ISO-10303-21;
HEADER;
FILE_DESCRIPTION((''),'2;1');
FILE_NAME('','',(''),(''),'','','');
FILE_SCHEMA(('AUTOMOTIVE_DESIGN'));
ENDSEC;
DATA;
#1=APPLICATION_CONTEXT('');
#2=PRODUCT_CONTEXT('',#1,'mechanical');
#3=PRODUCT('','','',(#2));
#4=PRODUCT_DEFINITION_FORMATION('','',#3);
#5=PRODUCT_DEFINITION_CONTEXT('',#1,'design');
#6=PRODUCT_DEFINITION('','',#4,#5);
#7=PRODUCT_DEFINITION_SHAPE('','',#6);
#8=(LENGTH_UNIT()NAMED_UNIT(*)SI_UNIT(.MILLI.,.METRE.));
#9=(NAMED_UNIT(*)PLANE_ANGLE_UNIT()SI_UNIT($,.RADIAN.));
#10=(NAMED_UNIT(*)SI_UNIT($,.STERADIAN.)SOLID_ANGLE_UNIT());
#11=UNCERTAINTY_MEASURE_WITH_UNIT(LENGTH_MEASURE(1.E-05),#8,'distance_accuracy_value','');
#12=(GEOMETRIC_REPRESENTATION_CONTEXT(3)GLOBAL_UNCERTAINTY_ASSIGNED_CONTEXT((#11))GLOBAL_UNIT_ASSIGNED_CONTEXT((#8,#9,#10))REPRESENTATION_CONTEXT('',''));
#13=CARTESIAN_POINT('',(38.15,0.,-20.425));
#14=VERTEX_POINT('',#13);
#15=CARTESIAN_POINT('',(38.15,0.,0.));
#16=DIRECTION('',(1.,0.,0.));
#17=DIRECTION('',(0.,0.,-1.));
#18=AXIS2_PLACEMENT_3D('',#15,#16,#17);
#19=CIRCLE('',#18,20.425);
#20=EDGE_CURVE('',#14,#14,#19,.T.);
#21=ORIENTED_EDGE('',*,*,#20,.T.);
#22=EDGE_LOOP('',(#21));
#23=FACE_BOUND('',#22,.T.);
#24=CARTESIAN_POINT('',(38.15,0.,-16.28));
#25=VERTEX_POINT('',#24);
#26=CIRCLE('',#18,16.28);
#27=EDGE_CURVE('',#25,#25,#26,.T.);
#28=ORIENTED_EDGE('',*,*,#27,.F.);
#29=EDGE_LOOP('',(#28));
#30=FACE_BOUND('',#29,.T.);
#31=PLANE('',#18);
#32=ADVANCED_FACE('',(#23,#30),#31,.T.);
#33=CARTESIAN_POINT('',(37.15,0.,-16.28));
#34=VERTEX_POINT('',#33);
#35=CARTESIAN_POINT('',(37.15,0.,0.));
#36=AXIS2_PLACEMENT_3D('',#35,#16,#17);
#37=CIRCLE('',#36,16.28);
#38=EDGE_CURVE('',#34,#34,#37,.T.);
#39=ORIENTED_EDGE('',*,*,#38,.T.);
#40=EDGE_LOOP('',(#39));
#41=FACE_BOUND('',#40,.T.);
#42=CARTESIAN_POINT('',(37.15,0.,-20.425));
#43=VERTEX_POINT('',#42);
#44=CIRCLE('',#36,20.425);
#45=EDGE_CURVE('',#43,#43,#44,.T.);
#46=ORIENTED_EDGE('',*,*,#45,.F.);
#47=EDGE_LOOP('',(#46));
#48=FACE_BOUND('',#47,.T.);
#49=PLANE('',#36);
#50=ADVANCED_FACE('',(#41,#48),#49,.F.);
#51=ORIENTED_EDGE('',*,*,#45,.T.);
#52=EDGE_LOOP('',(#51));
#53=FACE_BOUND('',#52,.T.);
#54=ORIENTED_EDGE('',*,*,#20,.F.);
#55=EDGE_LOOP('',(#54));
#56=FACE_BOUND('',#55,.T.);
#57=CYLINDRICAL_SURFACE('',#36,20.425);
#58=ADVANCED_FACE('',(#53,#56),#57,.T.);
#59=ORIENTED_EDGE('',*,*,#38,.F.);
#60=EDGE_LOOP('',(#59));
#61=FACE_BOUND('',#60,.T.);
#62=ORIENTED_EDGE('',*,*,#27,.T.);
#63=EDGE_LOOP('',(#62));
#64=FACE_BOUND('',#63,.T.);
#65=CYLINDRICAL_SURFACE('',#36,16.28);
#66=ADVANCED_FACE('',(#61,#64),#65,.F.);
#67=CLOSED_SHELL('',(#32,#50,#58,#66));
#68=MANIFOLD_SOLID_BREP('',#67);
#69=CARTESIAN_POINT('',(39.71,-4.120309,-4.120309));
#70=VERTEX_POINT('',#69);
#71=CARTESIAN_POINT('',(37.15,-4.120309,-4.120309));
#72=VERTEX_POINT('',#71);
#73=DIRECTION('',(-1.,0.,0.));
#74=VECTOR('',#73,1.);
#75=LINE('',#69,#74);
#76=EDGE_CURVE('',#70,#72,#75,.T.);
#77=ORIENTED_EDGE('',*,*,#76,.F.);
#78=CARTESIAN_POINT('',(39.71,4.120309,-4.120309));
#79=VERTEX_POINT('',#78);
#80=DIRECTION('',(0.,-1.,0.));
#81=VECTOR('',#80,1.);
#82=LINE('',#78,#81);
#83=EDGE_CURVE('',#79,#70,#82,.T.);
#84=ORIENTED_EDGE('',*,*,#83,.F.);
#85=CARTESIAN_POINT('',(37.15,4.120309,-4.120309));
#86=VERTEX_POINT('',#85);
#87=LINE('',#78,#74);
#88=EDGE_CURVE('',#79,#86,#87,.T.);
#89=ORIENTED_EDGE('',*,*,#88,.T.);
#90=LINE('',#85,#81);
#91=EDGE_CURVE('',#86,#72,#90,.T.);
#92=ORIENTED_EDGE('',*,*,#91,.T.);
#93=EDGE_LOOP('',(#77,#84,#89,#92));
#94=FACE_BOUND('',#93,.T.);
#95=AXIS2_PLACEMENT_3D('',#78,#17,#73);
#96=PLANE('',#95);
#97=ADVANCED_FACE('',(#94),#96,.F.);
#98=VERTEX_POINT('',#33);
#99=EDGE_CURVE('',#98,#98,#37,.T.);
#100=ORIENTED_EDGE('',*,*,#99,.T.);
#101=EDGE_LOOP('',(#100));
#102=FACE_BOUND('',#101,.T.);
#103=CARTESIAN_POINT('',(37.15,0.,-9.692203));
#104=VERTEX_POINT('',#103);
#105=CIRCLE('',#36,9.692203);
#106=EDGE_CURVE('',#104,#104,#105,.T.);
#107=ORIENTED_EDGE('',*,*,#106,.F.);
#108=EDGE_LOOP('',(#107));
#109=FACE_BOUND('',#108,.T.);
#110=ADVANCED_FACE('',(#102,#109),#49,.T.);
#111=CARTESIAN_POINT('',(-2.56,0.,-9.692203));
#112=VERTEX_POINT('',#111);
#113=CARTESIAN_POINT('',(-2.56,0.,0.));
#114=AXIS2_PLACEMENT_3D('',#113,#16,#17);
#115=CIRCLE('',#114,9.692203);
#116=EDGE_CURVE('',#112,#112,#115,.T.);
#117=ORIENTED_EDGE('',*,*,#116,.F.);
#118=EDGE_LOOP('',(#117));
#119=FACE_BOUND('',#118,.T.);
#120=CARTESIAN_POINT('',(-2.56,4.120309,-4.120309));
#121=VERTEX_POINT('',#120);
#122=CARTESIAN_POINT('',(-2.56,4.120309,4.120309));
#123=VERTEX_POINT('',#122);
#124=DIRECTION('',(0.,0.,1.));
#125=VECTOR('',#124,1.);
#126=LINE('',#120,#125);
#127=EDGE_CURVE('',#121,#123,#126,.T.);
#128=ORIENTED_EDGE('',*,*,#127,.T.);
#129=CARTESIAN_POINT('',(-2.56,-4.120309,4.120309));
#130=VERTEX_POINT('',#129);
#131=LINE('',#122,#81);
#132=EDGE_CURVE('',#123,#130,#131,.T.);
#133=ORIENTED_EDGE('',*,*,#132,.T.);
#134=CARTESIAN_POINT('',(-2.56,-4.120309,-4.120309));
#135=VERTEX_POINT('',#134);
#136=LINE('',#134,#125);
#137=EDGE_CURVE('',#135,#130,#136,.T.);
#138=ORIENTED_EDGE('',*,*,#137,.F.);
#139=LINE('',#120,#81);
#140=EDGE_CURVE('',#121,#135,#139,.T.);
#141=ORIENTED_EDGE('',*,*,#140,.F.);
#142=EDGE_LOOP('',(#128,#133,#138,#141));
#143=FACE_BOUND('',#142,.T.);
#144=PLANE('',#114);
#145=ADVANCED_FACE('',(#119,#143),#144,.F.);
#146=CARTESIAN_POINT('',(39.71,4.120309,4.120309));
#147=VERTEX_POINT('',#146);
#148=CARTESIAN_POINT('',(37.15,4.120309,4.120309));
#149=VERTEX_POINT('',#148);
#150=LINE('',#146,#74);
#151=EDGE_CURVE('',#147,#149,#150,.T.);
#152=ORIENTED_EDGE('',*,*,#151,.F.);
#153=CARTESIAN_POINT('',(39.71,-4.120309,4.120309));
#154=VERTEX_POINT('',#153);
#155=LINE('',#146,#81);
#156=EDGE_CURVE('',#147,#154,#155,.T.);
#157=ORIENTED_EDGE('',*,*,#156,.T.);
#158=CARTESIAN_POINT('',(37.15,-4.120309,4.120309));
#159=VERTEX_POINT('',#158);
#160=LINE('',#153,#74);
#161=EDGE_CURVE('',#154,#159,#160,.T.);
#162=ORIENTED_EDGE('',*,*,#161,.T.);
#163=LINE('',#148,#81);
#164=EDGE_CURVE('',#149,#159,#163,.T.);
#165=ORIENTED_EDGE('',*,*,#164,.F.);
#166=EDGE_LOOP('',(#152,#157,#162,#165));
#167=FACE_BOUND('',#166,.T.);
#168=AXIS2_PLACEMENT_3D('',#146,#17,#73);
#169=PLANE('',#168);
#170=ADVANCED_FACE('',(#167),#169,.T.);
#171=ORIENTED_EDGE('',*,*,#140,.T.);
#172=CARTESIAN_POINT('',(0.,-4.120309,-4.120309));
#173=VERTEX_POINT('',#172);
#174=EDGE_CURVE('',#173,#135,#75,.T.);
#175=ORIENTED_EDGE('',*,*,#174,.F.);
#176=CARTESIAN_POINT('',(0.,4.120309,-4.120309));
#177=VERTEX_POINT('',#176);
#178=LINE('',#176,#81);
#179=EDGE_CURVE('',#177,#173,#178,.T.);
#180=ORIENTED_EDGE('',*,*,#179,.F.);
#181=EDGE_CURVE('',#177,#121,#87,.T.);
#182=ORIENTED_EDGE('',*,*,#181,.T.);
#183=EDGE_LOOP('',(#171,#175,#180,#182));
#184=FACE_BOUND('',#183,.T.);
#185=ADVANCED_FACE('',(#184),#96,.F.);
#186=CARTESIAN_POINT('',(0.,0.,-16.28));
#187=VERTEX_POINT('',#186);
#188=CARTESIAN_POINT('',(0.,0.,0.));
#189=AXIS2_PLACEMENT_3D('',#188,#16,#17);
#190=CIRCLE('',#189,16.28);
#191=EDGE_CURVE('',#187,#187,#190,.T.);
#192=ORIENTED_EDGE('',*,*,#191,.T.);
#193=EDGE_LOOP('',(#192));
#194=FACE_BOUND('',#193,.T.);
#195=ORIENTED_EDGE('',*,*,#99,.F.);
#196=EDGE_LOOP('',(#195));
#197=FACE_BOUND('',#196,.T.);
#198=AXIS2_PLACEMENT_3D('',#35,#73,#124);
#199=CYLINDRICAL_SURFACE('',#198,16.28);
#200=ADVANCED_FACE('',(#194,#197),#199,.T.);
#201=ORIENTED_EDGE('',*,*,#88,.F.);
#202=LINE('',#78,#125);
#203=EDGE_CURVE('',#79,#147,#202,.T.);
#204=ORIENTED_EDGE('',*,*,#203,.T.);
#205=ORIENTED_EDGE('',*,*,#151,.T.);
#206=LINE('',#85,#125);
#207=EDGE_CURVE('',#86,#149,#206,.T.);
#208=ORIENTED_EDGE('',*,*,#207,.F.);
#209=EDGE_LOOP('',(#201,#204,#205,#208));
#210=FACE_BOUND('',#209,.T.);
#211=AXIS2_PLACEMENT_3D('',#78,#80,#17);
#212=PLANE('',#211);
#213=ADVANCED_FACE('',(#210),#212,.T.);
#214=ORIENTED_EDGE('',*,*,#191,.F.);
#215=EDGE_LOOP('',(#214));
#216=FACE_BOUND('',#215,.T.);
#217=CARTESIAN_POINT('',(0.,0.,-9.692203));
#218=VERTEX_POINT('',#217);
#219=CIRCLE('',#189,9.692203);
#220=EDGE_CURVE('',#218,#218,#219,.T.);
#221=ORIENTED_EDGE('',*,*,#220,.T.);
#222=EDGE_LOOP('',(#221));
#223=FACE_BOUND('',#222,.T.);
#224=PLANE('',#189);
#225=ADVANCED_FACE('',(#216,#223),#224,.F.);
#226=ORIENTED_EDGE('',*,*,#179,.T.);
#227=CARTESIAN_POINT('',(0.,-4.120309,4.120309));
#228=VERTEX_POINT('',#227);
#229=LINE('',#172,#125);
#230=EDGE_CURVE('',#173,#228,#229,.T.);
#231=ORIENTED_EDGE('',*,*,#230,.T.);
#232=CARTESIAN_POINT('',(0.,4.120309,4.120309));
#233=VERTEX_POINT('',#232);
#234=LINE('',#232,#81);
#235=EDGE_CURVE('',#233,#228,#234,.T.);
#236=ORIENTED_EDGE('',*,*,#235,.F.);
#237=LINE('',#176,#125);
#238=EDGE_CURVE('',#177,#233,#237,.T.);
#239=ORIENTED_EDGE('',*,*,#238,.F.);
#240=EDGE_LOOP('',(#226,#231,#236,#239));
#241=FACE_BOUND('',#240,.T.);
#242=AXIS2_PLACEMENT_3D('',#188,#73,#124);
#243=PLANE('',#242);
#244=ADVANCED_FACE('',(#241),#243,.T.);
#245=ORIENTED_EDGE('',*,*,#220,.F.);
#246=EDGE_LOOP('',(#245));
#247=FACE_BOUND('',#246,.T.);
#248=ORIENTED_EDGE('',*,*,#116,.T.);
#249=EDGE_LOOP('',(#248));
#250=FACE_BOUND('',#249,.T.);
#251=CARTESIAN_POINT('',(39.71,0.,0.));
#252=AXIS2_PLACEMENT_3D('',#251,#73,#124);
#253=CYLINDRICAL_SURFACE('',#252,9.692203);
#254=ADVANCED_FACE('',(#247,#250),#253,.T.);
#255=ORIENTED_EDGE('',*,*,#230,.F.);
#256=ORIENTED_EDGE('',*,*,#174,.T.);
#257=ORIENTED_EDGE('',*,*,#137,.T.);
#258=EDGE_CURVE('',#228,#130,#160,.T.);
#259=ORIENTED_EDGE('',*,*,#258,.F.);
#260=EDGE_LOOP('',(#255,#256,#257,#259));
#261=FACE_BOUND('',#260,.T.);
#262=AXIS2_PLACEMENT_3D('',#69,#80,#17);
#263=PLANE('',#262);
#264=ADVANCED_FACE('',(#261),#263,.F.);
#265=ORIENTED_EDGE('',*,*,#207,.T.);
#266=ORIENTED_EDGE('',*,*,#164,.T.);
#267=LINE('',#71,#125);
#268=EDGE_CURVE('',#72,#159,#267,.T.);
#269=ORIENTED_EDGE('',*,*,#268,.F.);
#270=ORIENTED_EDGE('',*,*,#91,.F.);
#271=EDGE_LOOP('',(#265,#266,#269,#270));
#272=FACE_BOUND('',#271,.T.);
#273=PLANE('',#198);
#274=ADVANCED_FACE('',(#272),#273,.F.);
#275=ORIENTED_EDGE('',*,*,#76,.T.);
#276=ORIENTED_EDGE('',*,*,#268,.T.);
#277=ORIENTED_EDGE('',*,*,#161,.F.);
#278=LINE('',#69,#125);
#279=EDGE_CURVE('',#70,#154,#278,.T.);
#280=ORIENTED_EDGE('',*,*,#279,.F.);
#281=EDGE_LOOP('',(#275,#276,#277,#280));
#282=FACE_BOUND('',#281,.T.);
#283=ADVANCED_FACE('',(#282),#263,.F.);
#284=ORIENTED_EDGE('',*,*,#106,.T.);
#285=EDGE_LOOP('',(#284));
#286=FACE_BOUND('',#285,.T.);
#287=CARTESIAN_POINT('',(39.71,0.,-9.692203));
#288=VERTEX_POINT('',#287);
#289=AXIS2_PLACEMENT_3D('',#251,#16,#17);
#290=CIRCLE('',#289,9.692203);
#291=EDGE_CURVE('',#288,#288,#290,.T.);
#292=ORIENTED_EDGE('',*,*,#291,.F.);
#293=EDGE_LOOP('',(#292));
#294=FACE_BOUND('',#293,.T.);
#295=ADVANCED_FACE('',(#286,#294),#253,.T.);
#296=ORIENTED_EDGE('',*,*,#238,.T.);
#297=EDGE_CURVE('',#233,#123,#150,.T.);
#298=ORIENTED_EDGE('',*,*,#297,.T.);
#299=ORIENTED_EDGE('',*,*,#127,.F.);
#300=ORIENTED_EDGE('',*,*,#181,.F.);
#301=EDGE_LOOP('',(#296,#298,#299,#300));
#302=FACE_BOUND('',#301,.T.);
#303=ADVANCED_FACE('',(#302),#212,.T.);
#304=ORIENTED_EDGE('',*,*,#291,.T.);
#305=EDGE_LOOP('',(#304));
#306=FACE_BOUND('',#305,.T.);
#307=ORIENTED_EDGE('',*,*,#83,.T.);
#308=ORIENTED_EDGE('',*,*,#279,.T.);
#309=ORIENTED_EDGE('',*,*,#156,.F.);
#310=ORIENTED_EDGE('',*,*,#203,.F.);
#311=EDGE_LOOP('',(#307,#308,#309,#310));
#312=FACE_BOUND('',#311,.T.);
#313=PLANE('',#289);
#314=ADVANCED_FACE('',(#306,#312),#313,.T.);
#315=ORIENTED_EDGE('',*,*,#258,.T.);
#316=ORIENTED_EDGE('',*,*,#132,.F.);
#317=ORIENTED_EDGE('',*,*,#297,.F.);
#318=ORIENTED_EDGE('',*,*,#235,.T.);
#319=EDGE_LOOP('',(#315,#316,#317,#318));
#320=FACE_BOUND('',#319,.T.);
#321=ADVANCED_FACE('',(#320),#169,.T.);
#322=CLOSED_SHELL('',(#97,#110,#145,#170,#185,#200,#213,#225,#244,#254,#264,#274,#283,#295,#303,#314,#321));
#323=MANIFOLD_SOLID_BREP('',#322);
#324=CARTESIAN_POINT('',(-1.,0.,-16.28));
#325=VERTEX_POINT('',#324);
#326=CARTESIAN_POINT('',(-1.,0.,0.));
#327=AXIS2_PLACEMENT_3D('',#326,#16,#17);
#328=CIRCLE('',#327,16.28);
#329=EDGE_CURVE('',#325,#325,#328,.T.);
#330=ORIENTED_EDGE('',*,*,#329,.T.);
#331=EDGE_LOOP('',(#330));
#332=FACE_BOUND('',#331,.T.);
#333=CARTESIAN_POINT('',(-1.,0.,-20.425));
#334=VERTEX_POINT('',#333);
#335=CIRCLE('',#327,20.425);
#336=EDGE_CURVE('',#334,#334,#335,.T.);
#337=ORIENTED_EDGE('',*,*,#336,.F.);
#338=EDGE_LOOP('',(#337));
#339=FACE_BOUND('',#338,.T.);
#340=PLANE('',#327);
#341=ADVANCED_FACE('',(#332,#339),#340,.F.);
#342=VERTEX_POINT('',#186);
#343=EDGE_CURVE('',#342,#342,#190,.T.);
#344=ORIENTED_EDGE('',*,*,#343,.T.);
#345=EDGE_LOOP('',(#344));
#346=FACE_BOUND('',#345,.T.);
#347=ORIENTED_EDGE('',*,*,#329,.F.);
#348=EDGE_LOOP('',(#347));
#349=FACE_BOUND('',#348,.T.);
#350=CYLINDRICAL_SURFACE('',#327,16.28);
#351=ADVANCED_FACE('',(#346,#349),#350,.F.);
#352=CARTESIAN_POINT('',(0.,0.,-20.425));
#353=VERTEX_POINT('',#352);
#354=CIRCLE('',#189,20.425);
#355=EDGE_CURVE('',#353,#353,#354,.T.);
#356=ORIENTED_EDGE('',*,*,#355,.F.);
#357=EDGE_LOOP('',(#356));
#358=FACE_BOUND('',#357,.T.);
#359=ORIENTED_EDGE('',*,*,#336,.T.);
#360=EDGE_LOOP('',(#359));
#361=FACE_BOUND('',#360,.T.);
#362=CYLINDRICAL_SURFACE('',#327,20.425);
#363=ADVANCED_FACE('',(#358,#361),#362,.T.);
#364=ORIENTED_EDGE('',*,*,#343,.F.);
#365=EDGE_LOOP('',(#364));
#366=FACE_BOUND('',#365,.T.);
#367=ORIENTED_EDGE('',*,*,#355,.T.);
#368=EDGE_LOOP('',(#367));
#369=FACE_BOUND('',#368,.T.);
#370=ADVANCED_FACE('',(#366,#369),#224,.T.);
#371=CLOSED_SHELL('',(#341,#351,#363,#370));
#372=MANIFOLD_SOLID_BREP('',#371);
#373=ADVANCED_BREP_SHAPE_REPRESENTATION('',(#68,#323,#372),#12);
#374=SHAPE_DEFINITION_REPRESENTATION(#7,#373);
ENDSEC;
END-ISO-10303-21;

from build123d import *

# Parameters (mm, degrees)
BOSS_EXTRUDE3_DEPTH      = 39.71
BOSS_EXTRUDE3_DEPTH_BACK = 2.56
SKETCH12_R               = 9.692202823
SKETCH12_W               = 8.24061712
SKETCH12_H               = 8.24061712
SKETCH12_9_R             = 20.425
SKETCH12_9_R_2           = 16.28
BOSS_EXTRUDE4_DEPTH      = 1
SKETCH12_11_R            = 16.28
SKETCH12_11_R_2          = 9.692202823
SKETCH12_11_W            = 8.24061712
SKETCH12_11_H            = 8.24061712
BOSS_EXTRUDE6_DEPTH      = 37.15
LPATTERN1_COUNT          = 2
LPATTERN1_PITCH          = 38.15


with BuildPart() as part:
    # Sketch12 → Boss-Extrude3 (new, two sides: drawn at the far end of the back side and taken through both)
    with BuildSketch(Plane(origin=(0, 0, 0), x_dir=(0, 0, -1), z_dir=(1, 0, 0)).offset(-BOSS_EXTRUDE3_DEPTH_BACK)):
        Circle(SKETCH12_R)
        Rectangle(SKETCH12_W, SKETCH12_H, mode=Mode.SUBTRACT)
    extrude(amount=BOSS_EXTRUDE3_DEPTH + BOSS_EXTRUDE3_DEPTH_BACK)

    # Sketch12<11> → Boss-Extrude6 (add)
    # profile 1 of 2: a face of its own
    with BuildSketch(Plane(origin=(0, 0, 0), x_dir=(0, 0, -1), z_dir=(1, 0, 0))):
        Circle(SKETCH12_11_R)
        Circle(SKETCH12_11_R_2, mode=Mode.SUBTRACT)
    # profile 2 of 2: a face of its own
    with BuildSketch(Plane(origin=(0, 0, 0), x_dir=(0, 0, -1), z_dir=(1, 0, 0))):
        Rectangle(SKETCH12_11_W, SKETCH12_11_H)
    extrude(amount=BOSS_EXTRUDE6_DEPTH)


with BuildPart() as body_2:
    # Sketch12<9> → Boss-Extrude4 (new body)
    with BuildSketch(Plane(origin=(0, 0, 0), x_dir=(0, 0, -1), z_dir=(1, 0, 0))):
        Circle(SKETCH12_9_R)
        Circle(SKETCH12_9_R_2, mode=Mode.SUBTRACT)
    boss_extrude4 = extrude(amount=-BOSS_EXTRUDE4_DEPTH)


with BuildPart() as lpattern1_1:
    # LPattern1: Boss-Extrude4 ×2
    with Locations(*[(i * LPATTERN1_PITCH, 0, 0) for i in range(1, LPATTERN1_COUNT)]):
        add(boss_extrude4)


solid = Compound([part.part, body_2.part, lpattern1_1.part])
